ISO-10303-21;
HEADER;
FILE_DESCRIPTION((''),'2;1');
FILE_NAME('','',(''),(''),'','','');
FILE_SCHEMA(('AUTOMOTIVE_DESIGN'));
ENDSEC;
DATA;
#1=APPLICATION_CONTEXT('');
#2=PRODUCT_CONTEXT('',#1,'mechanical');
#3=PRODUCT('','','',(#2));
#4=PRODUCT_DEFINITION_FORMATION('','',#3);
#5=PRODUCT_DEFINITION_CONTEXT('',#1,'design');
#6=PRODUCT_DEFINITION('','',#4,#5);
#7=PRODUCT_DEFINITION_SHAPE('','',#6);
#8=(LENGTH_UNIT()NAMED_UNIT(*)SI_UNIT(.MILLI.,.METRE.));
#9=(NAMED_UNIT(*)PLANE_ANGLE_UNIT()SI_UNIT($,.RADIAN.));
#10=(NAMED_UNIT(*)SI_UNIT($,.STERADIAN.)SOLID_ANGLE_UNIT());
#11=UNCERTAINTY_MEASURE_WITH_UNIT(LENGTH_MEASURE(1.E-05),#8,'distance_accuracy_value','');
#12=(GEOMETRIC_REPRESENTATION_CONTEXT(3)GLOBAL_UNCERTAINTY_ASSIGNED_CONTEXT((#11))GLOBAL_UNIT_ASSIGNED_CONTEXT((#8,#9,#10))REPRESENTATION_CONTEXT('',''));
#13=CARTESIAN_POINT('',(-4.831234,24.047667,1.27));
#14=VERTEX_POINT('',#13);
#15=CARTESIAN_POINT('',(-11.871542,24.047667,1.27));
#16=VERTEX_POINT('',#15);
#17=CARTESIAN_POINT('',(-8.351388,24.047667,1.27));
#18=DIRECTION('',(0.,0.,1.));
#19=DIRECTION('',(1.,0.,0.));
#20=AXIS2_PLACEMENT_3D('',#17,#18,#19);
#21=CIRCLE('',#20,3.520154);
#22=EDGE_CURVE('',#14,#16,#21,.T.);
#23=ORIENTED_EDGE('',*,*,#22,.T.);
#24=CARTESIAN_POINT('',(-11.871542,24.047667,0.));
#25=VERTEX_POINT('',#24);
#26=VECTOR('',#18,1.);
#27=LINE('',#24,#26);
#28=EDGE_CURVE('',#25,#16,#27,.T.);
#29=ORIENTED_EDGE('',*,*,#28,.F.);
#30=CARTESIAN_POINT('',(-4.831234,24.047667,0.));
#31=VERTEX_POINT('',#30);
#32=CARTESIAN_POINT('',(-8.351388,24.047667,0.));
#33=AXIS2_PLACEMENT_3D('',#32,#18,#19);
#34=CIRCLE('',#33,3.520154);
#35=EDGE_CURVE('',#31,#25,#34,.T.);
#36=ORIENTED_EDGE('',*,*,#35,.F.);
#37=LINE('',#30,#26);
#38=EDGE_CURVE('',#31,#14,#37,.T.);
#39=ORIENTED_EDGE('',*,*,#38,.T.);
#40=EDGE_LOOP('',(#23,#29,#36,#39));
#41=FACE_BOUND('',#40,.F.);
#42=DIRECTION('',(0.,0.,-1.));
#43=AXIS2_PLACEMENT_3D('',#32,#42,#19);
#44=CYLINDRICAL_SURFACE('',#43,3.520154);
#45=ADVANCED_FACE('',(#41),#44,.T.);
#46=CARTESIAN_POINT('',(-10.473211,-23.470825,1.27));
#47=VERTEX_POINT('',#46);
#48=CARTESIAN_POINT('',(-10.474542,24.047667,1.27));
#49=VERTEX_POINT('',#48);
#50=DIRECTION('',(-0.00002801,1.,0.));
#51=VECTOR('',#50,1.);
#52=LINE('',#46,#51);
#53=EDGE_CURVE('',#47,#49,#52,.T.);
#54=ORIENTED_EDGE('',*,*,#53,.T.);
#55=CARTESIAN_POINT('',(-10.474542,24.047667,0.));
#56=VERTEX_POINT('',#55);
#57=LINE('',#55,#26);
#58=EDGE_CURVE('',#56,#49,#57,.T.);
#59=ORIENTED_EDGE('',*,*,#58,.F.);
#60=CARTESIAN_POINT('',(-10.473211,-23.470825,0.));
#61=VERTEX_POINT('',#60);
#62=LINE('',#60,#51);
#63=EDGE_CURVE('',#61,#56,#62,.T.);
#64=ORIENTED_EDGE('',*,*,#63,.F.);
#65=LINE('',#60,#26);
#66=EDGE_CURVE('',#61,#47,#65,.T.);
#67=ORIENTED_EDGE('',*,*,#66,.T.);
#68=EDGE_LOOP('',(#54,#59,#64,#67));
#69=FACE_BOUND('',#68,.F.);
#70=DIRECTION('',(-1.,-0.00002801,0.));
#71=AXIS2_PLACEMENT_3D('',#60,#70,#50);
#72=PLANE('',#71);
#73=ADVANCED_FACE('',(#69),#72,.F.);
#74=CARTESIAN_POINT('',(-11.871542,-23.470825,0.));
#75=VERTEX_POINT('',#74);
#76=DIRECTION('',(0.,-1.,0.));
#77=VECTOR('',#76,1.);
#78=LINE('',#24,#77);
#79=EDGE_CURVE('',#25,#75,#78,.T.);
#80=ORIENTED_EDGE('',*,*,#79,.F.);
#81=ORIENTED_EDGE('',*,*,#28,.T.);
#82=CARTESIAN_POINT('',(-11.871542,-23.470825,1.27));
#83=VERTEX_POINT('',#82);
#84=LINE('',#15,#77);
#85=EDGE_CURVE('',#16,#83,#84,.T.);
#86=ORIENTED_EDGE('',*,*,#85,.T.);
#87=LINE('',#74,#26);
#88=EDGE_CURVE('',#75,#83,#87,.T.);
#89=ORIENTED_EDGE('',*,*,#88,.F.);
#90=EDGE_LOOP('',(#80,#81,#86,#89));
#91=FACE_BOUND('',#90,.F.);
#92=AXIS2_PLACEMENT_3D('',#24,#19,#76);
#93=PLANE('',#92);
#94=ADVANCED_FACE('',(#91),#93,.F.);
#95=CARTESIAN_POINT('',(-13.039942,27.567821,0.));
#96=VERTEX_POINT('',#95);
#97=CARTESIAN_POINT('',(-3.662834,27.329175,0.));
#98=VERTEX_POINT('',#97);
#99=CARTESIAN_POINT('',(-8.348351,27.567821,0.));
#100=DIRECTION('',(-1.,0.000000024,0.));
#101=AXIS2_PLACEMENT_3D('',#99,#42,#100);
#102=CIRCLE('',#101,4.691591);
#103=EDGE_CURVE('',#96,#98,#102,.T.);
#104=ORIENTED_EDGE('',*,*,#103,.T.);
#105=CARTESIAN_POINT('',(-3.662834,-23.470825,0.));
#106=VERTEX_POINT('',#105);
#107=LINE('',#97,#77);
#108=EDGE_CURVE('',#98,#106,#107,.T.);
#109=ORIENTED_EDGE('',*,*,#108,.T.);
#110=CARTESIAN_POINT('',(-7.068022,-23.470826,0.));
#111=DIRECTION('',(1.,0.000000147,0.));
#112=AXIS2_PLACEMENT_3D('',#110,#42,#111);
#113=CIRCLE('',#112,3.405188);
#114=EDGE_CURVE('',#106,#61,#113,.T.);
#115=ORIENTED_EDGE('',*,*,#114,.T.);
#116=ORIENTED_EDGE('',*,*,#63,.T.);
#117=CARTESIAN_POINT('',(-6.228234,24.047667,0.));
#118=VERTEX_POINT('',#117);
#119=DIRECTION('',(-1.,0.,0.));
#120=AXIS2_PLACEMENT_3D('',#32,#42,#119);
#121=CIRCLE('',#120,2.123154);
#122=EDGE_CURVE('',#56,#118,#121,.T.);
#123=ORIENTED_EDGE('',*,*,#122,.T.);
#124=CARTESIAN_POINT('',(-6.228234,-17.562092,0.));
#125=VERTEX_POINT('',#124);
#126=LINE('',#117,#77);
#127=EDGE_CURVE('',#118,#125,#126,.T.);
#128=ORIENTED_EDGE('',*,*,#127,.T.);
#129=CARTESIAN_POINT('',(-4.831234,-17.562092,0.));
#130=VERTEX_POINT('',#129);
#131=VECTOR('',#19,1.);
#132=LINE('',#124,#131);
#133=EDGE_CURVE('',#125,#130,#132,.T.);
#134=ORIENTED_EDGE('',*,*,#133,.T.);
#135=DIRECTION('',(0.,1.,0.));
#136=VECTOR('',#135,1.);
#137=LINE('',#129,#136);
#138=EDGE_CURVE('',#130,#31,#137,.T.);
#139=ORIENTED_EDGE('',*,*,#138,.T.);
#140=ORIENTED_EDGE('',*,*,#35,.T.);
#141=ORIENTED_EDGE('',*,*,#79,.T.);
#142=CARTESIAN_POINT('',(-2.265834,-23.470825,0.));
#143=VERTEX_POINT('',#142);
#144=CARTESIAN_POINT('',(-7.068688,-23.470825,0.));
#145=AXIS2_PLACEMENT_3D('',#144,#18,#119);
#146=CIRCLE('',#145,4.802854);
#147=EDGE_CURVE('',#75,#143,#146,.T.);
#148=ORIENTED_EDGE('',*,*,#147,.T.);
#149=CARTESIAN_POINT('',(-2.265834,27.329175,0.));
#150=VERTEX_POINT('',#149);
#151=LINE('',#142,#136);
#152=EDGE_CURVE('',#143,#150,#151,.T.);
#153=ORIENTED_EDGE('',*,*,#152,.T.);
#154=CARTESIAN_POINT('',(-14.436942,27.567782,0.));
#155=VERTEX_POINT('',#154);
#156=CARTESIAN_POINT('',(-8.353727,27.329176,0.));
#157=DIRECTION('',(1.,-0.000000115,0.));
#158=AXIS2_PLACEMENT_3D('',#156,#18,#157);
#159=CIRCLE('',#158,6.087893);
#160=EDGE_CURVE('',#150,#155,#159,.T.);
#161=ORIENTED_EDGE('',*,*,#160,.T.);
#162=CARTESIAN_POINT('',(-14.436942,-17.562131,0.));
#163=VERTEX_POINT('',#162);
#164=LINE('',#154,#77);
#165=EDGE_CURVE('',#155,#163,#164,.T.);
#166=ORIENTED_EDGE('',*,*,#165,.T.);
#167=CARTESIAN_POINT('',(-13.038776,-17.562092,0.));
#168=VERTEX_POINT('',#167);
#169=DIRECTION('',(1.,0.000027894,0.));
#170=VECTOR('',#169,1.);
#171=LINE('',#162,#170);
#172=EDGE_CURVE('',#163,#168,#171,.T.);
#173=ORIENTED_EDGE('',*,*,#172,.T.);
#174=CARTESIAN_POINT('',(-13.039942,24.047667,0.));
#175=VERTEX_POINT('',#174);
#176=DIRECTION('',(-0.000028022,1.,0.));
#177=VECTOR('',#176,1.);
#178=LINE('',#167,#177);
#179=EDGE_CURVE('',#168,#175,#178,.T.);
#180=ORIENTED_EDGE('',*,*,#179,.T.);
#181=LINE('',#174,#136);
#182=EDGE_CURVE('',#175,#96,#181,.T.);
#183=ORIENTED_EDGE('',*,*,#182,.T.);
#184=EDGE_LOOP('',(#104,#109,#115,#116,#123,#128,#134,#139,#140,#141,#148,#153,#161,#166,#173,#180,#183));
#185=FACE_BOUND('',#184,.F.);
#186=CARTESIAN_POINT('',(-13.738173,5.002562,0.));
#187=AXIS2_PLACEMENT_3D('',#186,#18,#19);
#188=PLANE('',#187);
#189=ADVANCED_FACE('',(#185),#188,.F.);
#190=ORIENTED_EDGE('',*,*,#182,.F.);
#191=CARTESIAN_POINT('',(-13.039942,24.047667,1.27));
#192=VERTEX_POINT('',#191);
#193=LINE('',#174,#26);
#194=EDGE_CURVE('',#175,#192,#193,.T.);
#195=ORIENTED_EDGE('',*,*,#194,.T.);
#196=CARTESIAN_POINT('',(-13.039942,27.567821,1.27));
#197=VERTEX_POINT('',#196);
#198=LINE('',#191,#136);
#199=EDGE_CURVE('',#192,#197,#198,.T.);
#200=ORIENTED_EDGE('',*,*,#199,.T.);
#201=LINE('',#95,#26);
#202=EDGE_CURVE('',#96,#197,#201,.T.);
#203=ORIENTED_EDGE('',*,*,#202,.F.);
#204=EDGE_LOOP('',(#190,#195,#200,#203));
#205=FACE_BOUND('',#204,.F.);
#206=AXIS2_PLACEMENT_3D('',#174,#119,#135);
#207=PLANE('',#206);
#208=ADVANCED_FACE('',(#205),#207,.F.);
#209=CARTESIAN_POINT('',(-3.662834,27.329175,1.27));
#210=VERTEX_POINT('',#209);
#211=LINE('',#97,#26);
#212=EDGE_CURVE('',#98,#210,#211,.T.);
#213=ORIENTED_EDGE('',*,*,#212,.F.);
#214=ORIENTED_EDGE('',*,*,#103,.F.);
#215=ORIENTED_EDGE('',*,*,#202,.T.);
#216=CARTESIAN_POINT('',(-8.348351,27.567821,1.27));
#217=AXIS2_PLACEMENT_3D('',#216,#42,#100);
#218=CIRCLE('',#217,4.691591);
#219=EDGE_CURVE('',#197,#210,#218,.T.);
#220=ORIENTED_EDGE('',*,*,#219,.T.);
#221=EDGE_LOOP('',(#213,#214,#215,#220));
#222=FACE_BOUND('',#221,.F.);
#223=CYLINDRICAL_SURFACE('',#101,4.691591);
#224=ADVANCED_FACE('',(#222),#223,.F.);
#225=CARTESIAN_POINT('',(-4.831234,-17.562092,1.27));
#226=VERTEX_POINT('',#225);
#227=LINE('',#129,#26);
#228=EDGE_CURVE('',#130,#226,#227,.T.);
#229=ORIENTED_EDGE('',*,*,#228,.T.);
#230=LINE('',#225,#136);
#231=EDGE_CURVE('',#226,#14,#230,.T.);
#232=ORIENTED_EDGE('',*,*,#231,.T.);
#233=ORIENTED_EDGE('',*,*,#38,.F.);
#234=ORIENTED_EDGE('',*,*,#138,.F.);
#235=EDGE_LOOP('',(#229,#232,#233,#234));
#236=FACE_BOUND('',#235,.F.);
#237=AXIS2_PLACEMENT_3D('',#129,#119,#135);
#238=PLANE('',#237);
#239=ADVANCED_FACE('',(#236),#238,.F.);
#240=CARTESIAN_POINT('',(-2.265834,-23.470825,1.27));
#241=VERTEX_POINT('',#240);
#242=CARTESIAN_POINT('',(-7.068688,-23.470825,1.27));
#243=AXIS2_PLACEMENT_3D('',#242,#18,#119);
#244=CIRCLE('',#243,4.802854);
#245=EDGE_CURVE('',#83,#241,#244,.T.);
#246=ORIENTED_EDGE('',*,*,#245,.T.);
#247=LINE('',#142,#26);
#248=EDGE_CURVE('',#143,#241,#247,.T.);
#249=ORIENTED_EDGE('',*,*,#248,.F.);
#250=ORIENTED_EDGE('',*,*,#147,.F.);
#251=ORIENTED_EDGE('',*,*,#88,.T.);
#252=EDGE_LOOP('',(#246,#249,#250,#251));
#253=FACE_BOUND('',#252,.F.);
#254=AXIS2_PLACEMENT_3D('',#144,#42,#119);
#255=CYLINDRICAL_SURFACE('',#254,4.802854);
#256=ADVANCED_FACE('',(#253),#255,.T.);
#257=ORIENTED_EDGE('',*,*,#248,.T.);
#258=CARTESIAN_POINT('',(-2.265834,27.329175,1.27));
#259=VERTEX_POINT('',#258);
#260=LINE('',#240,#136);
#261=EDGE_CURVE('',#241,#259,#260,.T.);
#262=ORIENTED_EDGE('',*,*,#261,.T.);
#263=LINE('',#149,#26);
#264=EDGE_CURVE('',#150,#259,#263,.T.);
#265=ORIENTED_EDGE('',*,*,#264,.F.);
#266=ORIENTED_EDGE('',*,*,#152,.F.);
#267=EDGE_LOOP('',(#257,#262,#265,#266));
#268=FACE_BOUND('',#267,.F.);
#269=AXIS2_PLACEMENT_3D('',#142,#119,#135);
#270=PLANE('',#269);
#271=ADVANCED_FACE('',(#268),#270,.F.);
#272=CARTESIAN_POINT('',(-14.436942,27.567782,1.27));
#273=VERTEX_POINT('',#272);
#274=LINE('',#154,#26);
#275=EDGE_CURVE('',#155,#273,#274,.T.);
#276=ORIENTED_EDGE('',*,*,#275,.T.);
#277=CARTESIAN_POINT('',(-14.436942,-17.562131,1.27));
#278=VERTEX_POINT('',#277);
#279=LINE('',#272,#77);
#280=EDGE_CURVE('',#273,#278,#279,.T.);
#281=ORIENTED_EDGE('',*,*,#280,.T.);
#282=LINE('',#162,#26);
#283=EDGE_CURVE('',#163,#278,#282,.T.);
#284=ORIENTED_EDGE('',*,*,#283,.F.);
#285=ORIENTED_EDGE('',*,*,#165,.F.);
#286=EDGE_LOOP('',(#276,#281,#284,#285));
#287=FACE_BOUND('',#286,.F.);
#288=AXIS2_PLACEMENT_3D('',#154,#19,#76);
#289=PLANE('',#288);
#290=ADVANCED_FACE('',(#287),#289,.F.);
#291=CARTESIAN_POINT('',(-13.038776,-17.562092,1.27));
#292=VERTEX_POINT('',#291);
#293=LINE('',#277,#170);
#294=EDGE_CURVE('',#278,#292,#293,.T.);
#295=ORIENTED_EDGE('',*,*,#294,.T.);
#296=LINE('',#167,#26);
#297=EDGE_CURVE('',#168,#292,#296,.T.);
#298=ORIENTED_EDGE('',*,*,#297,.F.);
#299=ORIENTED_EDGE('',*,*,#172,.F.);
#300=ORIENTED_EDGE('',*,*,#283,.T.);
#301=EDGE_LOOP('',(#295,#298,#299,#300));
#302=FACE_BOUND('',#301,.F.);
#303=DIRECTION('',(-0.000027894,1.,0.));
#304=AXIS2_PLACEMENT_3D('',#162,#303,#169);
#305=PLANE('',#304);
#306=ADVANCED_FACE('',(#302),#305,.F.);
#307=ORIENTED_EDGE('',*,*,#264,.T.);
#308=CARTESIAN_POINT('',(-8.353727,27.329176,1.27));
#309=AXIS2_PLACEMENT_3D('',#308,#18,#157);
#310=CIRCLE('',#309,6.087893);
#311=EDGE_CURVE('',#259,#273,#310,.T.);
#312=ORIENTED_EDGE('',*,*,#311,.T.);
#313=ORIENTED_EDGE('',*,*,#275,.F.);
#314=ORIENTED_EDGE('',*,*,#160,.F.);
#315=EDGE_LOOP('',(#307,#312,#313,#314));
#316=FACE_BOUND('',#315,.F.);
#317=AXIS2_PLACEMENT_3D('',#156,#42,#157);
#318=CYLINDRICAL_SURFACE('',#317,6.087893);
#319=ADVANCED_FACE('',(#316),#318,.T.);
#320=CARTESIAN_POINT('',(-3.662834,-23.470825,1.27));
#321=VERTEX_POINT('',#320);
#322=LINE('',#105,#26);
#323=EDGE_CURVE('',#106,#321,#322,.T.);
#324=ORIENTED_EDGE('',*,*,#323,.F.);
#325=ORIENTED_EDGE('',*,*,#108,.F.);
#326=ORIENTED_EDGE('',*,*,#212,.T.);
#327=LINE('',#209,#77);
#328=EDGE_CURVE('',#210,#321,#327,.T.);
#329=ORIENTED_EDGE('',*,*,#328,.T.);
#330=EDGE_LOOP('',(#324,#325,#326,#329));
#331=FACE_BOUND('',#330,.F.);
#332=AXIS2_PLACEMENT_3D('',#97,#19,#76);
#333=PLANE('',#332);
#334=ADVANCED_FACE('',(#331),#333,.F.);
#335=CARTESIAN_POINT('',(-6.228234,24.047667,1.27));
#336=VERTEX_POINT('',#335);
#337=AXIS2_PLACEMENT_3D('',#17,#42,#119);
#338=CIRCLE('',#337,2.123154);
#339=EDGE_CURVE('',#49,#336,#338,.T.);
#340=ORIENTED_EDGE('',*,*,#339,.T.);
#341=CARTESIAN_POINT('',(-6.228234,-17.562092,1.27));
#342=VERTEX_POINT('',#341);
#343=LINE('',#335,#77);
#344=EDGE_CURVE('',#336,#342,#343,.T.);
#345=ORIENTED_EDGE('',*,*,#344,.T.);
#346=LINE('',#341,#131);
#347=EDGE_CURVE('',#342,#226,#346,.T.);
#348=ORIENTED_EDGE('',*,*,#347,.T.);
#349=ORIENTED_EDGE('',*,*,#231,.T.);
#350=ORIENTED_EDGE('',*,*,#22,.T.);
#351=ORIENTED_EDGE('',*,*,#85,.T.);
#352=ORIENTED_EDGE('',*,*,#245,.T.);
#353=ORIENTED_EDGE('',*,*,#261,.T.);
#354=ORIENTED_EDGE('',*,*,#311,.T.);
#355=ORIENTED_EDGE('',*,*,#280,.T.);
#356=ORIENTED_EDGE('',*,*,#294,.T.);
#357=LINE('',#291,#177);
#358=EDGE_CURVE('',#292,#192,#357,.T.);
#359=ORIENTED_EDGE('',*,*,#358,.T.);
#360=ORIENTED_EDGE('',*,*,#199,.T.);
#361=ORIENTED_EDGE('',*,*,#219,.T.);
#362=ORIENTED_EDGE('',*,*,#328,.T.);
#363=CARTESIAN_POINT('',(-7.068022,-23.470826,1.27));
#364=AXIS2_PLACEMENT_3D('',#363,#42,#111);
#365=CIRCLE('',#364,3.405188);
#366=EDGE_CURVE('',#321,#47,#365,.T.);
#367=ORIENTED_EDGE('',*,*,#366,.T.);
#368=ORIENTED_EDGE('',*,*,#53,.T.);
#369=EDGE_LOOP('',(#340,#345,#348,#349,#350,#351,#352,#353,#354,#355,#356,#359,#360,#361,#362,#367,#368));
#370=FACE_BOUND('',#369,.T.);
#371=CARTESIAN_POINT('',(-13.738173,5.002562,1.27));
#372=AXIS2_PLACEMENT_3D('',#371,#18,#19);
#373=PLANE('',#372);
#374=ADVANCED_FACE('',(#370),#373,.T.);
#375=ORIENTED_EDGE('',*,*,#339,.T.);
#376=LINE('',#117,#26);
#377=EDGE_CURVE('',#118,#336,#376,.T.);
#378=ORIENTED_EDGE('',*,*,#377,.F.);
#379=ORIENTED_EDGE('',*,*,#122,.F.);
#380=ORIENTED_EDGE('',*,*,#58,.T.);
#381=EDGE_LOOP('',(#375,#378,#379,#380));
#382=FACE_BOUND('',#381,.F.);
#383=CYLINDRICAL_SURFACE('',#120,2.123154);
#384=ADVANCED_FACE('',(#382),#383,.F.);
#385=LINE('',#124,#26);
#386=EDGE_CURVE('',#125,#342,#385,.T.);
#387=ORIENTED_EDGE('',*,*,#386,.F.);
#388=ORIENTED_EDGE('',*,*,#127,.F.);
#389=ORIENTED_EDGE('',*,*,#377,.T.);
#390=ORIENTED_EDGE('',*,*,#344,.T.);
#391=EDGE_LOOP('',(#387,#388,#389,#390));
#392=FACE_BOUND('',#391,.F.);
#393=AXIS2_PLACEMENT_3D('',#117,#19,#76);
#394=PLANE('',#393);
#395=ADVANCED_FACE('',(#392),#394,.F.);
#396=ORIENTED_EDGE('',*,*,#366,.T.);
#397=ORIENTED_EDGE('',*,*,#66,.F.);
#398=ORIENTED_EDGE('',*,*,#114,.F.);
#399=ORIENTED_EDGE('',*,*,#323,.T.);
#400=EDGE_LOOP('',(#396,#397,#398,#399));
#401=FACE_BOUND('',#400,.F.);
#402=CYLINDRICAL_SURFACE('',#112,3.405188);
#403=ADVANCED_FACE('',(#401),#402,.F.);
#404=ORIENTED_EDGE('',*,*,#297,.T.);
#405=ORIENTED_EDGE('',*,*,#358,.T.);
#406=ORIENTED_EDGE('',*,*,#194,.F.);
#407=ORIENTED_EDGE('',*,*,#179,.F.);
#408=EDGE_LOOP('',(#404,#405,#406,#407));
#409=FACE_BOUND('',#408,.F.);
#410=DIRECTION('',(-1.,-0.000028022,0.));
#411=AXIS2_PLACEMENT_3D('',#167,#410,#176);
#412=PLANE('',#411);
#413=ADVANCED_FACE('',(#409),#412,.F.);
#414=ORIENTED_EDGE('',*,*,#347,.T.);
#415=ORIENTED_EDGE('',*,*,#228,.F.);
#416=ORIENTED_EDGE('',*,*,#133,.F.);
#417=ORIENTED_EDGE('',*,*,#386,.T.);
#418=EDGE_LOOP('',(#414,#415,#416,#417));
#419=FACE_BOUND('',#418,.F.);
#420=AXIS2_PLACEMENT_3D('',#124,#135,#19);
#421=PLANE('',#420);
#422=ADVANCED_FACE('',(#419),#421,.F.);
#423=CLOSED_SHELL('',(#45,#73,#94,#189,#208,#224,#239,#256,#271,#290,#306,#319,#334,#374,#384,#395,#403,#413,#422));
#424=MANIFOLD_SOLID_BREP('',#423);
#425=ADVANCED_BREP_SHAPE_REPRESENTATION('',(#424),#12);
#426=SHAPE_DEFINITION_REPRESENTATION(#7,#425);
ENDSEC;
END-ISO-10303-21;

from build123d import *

# Parameters (mm, degrees)
F1_DEPTH = 1.27


with BuildPart() as f1:
    # F0 (on Top) → F1 (new body)
    with BuildSketch(Plane.XY):
        Polygon((-13.039942, 24.047667), (-13.039942, 27.567821), (-14.436942, 27.567782), (-14.436942, -17.562131), (-13.038776, -17.562092), align=None)
        with BuildLine():
            Line((-3.662834, 27.329175), (-3.662834, -23.470825))
            ThreePointArc((-3.662834, -23.470825), (-7.068022, -26.876014), (-10.473211, -23.470825))
            Line((-10.473211, -23.470825), (-10.474542, 24.047667))
            ThreePointArc((-10.474542, 24.047667), (-8.351388, 26.170821), (-6.228234, 24.047667))
            Line((-6.228234, 24.047667), (-6.228234, -17.562092))
            Line((-6.228234, -17.562092), (-4.831234, -17.562092))
            Line((-4.831234, -17.562092), (-4.831234, 24.047667))
            ThreePointArc((-4.831234, 24.047667), (-8.351388, 27.567821), (-11.871542, 24.047667))
            Line((-11.871542, 24.047667), (-11.871542, -23.470825))
            ThreePointArc((-11.871542, -23.470825), (-7.068688, -28.273679), (-2.265834, -23.470825))
            Line((-2.265834, -23.470825), (-2.265834, 27.329175))
            Line((-2.265834, 27.329175), (-3.662834, 27.329175))
        make_face()
        with BuildLine():
            ThreePointArc((-13.039942, 27.567821), (-8.228989, 32.257893), (-3.662834, 27.329175))
            Line((-3.662834, 27.329175), (-2.265834, 27.329175))
            ThreePointArc((-2.265834, 27.329175), (-8.2344, 33.415899), (-14.436942, 27.567782))
            Line((-14.436942, 27.567782), (-13.039942, 27.567821))
        make_face()
    extrude(amount=F1_DEPTH)


solid = f1.part
